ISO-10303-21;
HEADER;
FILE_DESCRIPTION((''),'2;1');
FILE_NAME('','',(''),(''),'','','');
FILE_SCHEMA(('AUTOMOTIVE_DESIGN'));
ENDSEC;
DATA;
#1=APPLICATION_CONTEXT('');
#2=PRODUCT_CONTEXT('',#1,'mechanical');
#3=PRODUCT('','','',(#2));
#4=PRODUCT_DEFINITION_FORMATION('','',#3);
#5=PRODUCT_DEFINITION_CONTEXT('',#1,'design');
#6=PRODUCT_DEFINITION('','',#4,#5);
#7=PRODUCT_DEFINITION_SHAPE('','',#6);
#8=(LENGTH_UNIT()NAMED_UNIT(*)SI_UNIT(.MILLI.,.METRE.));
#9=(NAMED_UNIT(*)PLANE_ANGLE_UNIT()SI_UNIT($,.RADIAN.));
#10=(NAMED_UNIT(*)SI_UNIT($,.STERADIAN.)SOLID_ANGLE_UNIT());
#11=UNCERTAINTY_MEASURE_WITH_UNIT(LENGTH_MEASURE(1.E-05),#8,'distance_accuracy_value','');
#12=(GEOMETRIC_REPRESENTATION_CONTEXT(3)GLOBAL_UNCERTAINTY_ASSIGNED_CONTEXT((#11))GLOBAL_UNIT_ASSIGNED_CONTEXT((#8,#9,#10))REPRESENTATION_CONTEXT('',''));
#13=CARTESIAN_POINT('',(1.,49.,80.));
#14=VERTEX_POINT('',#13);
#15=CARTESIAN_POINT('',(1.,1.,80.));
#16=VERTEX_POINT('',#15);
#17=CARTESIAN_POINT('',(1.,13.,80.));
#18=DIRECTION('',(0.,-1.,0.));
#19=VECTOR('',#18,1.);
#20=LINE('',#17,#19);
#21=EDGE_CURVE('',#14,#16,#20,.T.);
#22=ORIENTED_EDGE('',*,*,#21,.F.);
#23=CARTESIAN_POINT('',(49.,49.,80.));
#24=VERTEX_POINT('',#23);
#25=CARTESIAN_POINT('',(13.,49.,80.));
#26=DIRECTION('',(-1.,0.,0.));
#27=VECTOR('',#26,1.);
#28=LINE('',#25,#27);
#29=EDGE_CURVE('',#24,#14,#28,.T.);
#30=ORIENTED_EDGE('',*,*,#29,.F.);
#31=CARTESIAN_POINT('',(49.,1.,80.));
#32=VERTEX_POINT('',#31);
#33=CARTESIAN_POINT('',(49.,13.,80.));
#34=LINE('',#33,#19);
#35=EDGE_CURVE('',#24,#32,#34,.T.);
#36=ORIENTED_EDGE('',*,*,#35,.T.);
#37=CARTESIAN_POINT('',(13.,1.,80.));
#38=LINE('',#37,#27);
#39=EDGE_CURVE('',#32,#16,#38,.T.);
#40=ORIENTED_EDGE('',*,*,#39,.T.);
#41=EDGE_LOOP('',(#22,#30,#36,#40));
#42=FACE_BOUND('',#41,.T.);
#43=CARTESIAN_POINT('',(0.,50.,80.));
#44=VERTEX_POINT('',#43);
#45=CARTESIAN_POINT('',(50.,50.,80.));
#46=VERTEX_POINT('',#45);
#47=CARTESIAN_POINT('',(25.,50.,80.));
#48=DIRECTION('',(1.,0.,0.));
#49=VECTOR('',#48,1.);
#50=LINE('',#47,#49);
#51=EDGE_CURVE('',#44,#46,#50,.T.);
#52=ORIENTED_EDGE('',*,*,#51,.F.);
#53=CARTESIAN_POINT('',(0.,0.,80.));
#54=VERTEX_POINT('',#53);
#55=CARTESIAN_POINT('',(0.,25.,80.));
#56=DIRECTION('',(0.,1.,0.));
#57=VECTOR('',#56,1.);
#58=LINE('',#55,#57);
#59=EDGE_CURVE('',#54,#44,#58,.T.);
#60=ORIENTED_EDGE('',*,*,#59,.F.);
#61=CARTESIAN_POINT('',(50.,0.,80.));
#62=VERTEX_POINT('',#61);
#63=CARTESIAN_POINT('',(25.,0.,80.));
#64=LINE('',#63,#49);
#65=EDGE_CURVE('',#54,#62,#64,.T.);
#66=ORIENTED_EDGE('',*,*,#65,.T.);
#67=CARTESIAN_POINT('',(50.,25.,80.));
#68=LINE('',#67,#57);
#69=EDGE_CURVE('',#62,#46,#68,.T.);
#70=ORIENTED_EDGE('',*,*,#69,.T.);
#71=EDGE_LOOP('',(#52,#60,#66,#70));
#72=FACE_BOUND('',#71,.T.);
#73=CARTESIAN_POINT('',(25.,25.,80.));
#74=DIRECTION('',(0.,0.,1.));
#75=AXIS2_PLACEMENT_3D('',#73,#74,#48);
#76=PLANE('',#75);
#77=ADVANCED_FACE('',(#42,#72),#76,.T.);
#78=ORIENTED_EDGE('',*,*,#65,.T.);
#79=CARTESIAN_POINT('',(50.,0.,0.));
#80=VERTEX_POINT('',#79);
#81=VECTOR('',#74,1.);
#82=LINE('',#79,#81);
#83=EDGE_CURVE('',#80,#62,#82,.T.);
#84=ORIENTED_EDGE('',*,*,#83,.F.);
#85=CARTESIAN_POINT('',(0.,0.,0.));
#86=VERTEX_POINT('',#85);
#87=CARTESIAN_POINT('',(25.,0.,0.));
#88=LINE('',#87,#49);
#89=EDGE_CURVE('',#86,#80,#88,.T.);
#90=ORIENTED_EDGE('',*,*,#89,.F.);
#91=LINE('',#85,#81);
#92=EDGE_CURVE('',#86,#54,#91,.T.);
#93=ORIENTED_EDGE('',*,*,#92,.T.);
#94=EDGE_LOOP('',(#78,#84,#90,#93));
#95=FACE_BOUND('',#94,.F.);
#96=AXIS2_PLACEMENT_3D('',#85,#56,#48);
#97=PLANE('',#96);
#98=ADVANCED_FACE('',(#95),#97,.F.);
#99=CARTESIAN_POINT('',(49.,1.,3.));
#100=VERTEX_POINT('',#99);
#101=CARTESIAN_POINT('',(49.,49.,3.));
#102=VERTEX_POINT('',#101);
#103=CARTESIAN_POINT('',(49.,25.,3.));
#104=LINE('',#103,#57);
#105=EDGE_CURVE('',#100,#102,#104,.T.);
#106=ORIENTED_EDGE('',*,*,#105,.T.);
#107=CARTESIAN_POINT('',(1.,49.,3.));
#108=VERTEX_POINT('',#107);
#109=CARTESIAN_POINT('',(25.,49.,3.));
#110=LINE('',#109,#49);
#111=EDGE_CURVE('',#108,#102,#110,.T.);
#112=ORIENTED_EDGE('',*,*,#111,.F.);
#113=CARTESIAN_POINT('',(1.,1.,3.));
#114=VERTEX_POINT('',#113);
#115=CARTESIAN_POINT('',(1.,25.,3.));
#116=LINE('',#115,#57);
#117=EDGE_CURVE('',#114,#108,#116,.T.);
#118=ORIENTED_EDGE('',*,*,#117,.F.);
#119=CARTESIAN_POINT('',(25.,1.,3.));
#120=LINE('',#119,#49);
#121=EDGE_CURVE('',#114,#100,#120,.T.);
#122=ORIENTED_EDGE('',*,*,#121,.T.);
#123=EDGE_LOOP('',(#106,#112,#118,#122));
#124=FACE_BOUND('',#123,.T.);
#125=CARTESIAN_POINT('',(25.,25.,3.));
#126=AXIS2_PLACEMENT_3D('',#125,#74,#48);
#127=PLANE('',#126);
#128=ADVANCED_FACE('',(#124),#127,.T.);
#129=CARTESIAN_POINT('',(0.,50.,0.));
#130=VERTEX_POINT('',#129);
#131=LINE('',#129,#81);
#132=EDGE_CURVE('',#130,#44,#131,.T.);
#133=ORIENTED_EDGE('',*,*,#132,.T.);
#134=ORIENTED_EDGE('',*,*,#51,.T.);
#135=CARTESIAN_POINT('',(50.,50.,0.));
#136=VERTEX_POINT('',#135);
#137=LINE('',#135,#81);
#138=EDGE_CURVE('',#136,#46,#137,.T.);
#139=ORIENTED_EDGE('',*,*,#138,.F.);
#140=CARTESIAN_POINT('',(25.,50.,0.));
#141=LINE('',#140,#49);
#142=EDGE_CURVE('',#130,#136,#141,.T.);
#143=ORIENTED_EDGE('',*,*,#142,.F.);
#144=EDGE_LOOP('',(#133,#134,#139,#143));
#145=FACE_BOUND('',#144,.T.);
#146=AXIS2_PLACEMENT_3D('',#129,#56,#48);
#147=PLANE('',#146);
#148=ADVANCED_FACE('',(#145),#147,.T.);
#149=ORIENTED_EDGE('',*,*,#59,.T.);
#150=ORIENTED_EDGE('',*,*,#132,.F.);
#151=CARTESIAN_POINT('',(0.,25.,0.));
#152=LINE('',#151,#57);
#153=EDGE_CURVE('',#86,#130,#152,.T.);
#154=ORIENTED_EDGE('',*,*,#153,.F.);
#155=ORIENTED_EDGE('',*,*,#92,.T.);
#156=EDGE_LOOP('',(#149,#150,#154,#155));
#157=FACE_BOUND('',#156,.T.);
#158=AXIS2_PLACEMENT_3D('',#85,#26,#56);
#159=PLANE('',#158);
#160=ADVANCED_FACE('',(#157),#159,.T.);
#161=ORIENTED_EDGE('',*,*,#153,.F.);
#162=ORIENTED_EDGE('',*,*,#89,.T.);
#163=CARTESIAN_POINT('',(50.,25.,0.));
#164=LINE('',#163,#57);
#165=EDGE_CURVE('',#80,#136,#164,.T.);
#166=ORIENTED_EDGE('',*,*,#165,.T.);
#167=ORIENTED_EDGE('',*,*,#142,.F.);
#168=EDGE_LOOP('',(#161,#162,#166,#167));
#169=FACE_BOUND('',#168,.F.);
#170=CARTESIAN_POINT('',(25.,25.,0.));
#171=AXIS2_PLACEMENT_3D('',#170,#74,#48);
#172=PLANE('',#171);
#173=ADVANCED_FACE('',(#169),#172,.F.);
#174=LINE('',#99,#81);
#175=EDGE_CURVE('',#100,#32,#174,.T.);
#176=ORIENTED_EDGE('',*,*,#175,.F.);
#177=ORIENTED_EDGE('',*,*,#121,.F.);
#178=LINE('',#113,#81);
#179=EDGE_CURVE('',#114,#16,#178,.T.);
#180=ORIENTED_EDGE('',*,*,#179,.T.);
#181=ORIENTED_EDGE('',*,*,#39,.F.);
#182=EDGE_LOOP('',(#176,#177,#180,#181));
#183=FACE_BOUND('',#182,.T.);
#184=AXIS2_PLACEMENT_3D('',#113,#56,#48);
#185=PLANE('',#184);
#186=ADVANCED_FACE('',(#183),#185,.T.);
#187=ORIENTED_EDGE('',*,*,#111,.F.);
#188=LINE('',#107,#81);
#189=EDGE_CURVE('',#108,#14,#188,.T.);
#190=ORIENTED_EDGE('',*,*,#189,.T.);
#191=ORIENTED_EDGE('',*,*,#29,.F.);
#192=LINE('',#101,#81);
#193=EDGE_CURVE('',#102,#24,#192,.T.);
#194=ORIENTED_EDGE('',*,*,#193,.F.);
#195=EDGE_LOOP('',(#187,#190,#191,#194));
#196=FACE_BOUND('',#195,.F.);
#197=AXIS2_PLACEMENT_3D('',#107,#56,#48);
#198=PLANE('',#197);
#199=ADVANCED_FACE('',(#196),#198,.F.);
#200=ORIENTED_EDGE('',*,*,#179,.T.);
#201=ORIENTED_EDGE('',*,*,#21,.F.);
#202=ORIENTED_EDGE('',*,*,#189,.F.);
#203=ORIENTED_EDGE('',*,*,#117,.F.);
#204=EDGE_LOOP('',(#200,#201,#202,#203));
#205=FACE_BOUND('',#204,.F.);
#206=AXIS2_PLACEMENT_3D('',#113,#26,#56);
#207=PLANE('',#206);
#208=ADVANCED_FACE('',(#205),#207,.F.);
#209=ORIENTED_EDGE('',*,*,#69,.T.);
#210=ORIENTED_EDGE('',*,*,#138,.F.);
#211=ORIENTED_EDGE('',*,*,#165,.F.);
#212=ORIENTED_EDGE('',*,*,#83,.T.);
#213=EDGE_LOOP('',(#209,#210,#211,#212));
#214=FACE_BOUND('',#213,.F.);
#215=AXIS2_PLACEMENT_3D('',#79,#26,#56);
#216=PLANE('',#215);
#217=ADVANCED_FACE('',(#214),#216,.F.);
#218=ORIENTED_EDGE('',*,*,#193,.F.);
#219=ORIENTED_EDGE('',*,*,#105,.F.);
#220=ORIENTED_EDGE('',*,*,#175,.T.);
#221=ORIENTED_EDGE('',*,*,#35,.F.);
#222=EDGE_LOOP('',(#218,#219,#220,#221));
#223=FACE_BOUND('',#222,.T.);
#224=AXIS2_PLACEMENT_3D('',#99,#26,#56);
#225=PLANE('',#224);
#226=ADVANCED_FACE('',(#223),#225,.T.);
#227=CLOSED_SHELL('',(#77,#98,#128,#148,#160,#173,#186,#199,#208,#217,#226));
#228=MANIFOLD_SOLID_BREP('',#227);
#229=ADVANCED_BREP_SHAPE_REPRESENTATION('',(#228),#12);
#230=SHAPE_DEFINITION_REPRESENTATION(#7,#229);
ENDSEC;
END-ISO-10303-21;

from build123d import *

# Parameters (mm, degrees)
BOX001_W     = 48
BOX001_H     = 48
BOX001_DEPTH = 78
BOX_W        = 50
BOX_H        = 50
BOX_DEPTH    = 80


with BuildPart() as cub001:
    # Box001 → Box001 (new body)
    with BuildSketch(Plane(origin=(1, 1, 3), x_dir=(1, 0, 0), z_dir=(0, 0, 1))):
        with Locations((24, 24)):
            Rectangle(BOX001_W, BOX001_H)
    extrude(amount=BOX001_DEPTH)


with BuildPart() as cut:
    # Box → Box (new body)
    with BuildSketch(Plane.XY):
        with Locations((25, 25)):
            Rectangle(BOX_W, BOX_H)
    extrude(amount=BOX_DEPTH)

    # Cut: cut Cub001
    add(cub001.part, mode=Mode.SUBTRACT)


solid = cut.part
